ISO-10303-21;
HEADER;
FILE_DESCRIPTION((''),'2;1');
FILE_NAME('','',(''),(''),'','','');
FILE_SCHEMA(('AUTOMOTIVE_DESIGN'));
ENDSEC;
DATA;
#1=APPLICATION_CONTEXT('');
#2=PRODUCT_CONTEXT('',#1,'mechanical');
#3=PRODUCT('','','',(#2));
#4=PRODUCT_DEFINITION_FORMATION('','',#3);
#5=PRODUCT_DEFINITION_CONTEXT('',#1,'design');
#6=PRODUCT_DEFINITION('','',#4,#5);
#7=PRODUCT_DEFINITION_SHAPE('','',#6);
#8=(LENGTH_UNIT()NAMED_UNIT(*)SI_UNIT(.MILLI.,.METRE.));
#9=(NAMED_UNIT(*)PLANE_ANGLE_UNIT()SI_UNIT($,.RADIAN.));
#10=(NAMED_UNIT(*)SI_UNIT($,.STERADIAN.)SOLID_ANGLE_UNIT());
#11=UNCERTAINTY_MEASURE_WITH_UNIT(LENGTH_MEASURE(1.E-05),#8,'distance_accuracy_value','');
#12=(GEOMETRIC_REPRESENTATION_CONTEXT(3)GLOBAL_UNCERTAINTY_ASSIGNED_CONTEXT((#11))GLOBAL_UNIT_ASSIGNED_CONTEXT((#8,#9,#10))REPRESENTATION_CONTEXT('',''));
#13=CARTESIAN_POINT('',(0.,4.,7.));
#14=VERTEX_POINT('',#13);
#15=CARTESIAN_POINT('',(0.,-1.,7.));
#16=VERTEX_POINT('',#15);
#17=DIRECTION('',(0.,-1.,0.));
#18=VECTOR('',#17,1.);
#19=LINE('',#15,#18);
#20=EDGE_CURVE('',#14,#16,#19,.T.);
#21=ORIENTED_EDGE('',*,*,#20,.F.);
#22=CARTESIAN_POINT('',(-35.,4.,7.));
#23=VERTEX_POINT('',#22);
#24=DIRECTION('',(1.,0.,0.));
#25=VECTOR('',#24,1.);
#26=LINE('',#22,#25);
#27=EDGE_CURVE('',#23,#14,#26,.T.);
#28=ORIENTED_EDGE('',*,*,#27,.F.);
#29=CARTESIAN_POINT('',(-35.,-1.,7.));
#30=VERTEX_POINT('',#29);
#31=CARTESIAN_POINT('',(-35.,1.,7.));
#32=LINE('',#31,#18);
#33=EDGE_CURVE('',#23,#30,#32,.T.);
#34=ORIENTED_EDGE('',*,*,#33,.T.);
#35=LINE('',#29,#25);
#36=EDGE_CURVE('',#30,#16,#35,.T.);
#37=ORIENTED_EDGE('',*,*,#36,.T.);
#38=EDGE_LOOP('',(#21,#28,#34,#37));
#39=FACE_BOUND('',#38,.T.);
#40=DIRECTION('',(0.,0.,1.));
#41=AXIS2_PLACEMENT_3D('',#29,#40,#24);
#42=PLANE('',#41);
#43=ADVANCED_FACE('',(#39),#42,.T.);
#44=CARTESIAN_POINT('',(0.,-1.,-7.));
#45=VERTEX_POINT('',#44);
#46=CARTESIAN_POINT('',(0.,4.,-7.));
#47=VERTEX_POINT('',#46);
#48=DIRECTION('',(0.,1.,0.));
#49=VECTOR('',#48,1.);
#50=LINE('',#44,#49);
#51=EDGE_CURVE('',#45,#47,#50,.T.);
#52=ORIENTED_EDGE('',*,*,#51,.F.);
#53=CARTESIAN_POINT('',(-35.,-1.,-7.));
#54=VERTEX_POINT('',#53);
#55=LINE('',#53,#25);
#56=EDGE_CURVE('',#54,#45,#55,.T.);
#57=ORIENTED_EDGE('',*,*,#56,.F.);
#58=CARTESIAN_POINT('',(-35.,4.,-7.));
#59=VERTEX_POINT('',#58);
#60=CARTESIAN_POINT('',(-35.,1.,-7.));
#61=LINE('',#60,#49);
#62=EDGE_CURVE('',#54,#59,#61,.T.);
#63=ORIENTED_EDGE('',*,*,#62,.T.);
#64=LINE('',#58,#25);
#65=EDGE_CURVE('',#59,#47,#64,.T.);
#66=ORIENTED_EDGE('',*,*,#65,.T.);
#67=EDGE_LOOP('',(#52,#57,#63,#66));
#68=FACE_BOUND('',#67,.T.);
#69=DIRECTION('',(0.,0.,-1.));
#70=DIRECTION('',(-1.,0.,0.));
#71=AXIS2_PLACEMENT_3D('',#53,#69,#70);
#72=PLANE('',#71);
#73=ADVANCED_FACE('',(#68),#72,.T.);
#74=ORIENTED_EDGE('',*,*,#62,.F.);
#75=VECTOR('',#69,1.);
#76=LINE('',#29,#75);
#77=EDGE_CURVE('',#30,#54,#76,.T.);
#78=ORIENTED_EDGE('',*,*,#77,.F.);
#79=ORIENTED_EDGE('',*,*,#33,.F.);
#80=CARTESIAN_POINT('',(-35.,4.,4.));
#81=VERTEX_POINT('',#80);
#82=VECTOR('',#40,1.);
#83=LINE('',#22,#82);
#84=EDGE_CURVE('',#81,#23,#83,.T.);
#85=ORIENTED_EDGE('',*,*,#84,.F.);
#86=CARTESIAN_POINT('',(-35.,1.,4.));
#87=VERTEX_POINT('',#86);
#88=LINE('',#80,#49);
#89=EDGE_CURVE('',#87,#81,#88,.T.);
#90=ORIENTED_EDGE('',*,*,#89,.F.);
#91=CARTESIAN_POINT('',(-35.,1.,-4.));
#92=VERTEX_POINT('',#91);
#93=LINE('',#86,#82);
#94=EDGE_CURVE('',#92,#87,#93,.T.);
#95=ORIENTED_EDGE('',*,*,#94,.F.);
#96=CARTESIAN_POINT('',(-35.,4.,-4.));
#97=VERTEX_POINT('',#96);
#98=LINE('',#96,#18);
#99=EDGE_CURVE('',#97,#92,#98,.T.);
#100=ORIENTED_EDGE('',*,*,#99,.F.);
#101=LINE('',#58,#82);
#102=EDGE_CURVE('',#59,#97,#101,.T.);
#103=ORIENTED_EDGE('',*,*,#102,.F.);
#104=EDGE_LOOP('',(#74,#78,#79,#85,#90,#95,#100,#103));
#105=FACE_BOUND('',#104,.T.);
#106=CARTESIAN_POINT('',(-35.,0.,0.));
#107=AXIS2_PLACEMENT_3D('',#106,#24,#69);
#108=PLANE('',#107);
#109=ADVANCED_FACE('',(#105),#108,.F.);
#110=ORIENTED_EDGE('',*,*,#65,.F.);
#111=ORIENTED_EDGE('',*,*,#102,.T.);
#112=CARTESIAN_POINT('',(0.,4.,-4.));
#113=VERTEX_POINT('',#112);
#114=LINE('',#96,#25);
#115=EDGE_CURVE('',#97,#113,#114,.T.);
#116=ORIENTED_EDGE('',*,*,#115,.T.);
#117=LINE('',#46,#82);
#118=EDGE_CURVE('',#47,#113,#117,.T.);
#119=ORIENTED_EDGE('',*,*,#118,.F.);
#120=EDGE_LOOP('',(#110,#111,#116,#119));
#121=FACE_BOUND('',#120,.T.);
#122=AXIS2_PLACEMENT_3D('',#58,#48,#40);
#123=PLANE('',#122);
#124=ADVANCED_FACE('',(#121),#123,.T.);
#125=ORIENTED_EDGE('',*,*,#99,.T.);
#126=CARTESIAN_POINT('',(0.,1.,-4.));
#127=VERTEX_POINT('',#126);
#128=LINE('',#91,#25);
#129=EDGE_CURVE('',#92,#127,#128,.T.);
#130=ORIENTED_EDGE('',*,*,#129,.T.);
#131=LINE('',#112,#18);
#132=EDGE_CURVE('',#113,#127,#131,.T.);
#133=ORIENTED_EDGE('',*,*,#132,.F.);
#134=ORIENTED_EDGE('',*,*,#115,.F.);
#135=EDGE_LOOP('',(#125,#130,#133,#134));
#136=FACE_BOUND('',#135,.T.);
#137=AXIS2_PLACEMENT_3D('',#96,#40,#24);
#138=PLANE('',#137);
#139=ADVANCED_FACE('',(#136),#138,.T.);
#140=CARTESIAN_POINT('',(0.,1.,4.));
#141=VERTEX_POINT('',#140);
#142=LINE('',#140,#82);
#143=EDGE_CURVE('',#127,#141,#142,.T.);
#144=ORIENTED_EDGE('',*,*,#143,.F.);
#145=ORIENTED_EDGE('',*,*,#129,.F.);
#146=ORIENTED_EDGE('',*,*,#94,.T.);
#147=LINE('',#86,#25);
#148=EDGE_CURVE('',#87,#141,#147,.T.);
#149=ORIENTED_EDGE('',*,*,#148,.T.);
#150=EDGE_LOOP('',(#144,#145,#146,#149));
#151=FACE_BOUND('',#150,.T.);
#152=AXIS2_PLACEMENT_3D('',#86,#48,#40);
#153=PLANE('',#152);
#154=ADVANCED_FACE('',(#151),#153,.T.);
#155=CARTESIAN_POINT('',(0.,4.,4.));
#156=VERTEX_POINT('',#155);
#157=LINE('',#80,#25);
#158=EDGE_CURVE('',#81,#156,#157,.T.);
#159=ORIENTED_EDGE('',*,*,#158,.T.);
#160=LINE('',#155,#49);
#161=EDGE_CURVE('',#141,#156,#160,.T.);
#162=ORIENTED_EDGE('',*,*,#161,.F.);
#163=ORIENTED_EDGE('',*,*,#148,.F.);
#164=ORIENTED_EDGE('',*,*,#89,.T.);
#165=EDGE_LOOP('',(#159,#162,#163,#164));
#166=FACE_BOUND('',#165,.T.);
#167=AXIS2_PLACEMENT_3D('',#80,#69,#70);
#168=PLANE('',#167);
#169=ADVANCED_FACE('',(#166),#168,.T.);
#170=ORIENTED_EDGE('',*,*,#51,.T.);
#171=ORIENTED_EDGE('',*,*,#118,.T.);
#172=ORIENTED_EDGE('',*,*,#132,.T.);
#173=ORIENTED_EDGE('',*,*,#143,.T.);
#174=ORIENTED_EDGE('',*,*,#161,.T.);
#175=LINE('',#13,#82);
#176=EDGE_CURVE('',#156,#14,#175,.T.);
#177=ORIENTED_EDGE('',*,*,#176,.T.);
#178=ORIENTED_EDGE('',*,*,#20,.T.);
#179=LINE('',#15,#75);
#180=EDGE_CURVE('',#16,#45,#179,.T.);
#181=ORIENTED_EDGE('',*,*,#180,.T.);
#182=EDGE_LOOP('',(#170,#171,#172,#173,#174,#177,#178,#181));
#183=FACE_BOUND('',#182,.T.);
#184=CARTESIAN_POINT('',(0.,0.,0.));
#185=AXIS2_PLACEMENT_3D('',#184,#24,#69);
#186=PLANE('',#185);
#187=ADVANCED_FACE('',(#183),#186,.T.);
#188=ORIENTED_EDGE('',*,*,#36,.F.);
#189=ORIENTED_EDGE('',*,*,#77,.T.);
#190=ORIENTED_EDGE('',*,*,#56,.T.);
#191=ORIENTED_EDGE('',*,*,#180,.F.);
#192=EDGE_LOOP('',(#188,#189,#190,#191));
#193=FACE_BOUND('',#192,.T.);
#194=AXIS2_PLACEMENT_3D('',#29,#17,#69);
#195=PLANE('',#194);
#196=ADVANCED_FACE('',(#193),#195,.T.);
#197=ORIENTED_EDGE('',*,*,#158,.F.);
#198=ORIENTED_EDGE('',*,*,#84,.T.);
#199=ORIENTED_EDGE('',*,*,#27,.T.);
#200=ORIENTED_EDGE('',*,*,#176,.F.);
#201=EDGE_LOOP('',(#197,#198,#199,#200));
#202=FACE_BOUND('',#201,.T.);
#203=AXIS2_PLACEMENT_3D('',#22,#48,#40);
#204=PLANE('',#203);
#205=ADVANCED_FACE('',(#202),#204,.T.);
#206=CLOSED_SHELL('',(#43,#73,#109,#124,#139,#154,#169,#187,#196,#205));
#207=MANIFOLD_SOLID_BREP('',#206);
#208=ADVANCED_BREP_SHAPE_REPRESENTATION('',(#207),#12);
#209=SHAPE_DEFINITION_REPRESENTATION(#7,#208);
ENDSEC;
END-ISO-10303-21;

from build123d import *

# Parameters (mm, degrees)
BOSS_EXTRUDE1_DEPTH = 35


with BuildPart() as part:
    # Sketch1 → Boss-Extrude1 (new body)
    with BuildSketch(Plane(origin=(0, 0, 0), x_dir=(0, 0, -1), z_dir=(1, 0, 0))):
        Polygon((-7, 1), (-7, 4), (-4, 4), (-4, 1), (4, 1), (4, 4), (7, 4), (7, 1), (7, -1), (-7, -1), align=None)
    extrude(amount=-BOSS_EXTRUDE1_DEPTH)


solid = part.part
